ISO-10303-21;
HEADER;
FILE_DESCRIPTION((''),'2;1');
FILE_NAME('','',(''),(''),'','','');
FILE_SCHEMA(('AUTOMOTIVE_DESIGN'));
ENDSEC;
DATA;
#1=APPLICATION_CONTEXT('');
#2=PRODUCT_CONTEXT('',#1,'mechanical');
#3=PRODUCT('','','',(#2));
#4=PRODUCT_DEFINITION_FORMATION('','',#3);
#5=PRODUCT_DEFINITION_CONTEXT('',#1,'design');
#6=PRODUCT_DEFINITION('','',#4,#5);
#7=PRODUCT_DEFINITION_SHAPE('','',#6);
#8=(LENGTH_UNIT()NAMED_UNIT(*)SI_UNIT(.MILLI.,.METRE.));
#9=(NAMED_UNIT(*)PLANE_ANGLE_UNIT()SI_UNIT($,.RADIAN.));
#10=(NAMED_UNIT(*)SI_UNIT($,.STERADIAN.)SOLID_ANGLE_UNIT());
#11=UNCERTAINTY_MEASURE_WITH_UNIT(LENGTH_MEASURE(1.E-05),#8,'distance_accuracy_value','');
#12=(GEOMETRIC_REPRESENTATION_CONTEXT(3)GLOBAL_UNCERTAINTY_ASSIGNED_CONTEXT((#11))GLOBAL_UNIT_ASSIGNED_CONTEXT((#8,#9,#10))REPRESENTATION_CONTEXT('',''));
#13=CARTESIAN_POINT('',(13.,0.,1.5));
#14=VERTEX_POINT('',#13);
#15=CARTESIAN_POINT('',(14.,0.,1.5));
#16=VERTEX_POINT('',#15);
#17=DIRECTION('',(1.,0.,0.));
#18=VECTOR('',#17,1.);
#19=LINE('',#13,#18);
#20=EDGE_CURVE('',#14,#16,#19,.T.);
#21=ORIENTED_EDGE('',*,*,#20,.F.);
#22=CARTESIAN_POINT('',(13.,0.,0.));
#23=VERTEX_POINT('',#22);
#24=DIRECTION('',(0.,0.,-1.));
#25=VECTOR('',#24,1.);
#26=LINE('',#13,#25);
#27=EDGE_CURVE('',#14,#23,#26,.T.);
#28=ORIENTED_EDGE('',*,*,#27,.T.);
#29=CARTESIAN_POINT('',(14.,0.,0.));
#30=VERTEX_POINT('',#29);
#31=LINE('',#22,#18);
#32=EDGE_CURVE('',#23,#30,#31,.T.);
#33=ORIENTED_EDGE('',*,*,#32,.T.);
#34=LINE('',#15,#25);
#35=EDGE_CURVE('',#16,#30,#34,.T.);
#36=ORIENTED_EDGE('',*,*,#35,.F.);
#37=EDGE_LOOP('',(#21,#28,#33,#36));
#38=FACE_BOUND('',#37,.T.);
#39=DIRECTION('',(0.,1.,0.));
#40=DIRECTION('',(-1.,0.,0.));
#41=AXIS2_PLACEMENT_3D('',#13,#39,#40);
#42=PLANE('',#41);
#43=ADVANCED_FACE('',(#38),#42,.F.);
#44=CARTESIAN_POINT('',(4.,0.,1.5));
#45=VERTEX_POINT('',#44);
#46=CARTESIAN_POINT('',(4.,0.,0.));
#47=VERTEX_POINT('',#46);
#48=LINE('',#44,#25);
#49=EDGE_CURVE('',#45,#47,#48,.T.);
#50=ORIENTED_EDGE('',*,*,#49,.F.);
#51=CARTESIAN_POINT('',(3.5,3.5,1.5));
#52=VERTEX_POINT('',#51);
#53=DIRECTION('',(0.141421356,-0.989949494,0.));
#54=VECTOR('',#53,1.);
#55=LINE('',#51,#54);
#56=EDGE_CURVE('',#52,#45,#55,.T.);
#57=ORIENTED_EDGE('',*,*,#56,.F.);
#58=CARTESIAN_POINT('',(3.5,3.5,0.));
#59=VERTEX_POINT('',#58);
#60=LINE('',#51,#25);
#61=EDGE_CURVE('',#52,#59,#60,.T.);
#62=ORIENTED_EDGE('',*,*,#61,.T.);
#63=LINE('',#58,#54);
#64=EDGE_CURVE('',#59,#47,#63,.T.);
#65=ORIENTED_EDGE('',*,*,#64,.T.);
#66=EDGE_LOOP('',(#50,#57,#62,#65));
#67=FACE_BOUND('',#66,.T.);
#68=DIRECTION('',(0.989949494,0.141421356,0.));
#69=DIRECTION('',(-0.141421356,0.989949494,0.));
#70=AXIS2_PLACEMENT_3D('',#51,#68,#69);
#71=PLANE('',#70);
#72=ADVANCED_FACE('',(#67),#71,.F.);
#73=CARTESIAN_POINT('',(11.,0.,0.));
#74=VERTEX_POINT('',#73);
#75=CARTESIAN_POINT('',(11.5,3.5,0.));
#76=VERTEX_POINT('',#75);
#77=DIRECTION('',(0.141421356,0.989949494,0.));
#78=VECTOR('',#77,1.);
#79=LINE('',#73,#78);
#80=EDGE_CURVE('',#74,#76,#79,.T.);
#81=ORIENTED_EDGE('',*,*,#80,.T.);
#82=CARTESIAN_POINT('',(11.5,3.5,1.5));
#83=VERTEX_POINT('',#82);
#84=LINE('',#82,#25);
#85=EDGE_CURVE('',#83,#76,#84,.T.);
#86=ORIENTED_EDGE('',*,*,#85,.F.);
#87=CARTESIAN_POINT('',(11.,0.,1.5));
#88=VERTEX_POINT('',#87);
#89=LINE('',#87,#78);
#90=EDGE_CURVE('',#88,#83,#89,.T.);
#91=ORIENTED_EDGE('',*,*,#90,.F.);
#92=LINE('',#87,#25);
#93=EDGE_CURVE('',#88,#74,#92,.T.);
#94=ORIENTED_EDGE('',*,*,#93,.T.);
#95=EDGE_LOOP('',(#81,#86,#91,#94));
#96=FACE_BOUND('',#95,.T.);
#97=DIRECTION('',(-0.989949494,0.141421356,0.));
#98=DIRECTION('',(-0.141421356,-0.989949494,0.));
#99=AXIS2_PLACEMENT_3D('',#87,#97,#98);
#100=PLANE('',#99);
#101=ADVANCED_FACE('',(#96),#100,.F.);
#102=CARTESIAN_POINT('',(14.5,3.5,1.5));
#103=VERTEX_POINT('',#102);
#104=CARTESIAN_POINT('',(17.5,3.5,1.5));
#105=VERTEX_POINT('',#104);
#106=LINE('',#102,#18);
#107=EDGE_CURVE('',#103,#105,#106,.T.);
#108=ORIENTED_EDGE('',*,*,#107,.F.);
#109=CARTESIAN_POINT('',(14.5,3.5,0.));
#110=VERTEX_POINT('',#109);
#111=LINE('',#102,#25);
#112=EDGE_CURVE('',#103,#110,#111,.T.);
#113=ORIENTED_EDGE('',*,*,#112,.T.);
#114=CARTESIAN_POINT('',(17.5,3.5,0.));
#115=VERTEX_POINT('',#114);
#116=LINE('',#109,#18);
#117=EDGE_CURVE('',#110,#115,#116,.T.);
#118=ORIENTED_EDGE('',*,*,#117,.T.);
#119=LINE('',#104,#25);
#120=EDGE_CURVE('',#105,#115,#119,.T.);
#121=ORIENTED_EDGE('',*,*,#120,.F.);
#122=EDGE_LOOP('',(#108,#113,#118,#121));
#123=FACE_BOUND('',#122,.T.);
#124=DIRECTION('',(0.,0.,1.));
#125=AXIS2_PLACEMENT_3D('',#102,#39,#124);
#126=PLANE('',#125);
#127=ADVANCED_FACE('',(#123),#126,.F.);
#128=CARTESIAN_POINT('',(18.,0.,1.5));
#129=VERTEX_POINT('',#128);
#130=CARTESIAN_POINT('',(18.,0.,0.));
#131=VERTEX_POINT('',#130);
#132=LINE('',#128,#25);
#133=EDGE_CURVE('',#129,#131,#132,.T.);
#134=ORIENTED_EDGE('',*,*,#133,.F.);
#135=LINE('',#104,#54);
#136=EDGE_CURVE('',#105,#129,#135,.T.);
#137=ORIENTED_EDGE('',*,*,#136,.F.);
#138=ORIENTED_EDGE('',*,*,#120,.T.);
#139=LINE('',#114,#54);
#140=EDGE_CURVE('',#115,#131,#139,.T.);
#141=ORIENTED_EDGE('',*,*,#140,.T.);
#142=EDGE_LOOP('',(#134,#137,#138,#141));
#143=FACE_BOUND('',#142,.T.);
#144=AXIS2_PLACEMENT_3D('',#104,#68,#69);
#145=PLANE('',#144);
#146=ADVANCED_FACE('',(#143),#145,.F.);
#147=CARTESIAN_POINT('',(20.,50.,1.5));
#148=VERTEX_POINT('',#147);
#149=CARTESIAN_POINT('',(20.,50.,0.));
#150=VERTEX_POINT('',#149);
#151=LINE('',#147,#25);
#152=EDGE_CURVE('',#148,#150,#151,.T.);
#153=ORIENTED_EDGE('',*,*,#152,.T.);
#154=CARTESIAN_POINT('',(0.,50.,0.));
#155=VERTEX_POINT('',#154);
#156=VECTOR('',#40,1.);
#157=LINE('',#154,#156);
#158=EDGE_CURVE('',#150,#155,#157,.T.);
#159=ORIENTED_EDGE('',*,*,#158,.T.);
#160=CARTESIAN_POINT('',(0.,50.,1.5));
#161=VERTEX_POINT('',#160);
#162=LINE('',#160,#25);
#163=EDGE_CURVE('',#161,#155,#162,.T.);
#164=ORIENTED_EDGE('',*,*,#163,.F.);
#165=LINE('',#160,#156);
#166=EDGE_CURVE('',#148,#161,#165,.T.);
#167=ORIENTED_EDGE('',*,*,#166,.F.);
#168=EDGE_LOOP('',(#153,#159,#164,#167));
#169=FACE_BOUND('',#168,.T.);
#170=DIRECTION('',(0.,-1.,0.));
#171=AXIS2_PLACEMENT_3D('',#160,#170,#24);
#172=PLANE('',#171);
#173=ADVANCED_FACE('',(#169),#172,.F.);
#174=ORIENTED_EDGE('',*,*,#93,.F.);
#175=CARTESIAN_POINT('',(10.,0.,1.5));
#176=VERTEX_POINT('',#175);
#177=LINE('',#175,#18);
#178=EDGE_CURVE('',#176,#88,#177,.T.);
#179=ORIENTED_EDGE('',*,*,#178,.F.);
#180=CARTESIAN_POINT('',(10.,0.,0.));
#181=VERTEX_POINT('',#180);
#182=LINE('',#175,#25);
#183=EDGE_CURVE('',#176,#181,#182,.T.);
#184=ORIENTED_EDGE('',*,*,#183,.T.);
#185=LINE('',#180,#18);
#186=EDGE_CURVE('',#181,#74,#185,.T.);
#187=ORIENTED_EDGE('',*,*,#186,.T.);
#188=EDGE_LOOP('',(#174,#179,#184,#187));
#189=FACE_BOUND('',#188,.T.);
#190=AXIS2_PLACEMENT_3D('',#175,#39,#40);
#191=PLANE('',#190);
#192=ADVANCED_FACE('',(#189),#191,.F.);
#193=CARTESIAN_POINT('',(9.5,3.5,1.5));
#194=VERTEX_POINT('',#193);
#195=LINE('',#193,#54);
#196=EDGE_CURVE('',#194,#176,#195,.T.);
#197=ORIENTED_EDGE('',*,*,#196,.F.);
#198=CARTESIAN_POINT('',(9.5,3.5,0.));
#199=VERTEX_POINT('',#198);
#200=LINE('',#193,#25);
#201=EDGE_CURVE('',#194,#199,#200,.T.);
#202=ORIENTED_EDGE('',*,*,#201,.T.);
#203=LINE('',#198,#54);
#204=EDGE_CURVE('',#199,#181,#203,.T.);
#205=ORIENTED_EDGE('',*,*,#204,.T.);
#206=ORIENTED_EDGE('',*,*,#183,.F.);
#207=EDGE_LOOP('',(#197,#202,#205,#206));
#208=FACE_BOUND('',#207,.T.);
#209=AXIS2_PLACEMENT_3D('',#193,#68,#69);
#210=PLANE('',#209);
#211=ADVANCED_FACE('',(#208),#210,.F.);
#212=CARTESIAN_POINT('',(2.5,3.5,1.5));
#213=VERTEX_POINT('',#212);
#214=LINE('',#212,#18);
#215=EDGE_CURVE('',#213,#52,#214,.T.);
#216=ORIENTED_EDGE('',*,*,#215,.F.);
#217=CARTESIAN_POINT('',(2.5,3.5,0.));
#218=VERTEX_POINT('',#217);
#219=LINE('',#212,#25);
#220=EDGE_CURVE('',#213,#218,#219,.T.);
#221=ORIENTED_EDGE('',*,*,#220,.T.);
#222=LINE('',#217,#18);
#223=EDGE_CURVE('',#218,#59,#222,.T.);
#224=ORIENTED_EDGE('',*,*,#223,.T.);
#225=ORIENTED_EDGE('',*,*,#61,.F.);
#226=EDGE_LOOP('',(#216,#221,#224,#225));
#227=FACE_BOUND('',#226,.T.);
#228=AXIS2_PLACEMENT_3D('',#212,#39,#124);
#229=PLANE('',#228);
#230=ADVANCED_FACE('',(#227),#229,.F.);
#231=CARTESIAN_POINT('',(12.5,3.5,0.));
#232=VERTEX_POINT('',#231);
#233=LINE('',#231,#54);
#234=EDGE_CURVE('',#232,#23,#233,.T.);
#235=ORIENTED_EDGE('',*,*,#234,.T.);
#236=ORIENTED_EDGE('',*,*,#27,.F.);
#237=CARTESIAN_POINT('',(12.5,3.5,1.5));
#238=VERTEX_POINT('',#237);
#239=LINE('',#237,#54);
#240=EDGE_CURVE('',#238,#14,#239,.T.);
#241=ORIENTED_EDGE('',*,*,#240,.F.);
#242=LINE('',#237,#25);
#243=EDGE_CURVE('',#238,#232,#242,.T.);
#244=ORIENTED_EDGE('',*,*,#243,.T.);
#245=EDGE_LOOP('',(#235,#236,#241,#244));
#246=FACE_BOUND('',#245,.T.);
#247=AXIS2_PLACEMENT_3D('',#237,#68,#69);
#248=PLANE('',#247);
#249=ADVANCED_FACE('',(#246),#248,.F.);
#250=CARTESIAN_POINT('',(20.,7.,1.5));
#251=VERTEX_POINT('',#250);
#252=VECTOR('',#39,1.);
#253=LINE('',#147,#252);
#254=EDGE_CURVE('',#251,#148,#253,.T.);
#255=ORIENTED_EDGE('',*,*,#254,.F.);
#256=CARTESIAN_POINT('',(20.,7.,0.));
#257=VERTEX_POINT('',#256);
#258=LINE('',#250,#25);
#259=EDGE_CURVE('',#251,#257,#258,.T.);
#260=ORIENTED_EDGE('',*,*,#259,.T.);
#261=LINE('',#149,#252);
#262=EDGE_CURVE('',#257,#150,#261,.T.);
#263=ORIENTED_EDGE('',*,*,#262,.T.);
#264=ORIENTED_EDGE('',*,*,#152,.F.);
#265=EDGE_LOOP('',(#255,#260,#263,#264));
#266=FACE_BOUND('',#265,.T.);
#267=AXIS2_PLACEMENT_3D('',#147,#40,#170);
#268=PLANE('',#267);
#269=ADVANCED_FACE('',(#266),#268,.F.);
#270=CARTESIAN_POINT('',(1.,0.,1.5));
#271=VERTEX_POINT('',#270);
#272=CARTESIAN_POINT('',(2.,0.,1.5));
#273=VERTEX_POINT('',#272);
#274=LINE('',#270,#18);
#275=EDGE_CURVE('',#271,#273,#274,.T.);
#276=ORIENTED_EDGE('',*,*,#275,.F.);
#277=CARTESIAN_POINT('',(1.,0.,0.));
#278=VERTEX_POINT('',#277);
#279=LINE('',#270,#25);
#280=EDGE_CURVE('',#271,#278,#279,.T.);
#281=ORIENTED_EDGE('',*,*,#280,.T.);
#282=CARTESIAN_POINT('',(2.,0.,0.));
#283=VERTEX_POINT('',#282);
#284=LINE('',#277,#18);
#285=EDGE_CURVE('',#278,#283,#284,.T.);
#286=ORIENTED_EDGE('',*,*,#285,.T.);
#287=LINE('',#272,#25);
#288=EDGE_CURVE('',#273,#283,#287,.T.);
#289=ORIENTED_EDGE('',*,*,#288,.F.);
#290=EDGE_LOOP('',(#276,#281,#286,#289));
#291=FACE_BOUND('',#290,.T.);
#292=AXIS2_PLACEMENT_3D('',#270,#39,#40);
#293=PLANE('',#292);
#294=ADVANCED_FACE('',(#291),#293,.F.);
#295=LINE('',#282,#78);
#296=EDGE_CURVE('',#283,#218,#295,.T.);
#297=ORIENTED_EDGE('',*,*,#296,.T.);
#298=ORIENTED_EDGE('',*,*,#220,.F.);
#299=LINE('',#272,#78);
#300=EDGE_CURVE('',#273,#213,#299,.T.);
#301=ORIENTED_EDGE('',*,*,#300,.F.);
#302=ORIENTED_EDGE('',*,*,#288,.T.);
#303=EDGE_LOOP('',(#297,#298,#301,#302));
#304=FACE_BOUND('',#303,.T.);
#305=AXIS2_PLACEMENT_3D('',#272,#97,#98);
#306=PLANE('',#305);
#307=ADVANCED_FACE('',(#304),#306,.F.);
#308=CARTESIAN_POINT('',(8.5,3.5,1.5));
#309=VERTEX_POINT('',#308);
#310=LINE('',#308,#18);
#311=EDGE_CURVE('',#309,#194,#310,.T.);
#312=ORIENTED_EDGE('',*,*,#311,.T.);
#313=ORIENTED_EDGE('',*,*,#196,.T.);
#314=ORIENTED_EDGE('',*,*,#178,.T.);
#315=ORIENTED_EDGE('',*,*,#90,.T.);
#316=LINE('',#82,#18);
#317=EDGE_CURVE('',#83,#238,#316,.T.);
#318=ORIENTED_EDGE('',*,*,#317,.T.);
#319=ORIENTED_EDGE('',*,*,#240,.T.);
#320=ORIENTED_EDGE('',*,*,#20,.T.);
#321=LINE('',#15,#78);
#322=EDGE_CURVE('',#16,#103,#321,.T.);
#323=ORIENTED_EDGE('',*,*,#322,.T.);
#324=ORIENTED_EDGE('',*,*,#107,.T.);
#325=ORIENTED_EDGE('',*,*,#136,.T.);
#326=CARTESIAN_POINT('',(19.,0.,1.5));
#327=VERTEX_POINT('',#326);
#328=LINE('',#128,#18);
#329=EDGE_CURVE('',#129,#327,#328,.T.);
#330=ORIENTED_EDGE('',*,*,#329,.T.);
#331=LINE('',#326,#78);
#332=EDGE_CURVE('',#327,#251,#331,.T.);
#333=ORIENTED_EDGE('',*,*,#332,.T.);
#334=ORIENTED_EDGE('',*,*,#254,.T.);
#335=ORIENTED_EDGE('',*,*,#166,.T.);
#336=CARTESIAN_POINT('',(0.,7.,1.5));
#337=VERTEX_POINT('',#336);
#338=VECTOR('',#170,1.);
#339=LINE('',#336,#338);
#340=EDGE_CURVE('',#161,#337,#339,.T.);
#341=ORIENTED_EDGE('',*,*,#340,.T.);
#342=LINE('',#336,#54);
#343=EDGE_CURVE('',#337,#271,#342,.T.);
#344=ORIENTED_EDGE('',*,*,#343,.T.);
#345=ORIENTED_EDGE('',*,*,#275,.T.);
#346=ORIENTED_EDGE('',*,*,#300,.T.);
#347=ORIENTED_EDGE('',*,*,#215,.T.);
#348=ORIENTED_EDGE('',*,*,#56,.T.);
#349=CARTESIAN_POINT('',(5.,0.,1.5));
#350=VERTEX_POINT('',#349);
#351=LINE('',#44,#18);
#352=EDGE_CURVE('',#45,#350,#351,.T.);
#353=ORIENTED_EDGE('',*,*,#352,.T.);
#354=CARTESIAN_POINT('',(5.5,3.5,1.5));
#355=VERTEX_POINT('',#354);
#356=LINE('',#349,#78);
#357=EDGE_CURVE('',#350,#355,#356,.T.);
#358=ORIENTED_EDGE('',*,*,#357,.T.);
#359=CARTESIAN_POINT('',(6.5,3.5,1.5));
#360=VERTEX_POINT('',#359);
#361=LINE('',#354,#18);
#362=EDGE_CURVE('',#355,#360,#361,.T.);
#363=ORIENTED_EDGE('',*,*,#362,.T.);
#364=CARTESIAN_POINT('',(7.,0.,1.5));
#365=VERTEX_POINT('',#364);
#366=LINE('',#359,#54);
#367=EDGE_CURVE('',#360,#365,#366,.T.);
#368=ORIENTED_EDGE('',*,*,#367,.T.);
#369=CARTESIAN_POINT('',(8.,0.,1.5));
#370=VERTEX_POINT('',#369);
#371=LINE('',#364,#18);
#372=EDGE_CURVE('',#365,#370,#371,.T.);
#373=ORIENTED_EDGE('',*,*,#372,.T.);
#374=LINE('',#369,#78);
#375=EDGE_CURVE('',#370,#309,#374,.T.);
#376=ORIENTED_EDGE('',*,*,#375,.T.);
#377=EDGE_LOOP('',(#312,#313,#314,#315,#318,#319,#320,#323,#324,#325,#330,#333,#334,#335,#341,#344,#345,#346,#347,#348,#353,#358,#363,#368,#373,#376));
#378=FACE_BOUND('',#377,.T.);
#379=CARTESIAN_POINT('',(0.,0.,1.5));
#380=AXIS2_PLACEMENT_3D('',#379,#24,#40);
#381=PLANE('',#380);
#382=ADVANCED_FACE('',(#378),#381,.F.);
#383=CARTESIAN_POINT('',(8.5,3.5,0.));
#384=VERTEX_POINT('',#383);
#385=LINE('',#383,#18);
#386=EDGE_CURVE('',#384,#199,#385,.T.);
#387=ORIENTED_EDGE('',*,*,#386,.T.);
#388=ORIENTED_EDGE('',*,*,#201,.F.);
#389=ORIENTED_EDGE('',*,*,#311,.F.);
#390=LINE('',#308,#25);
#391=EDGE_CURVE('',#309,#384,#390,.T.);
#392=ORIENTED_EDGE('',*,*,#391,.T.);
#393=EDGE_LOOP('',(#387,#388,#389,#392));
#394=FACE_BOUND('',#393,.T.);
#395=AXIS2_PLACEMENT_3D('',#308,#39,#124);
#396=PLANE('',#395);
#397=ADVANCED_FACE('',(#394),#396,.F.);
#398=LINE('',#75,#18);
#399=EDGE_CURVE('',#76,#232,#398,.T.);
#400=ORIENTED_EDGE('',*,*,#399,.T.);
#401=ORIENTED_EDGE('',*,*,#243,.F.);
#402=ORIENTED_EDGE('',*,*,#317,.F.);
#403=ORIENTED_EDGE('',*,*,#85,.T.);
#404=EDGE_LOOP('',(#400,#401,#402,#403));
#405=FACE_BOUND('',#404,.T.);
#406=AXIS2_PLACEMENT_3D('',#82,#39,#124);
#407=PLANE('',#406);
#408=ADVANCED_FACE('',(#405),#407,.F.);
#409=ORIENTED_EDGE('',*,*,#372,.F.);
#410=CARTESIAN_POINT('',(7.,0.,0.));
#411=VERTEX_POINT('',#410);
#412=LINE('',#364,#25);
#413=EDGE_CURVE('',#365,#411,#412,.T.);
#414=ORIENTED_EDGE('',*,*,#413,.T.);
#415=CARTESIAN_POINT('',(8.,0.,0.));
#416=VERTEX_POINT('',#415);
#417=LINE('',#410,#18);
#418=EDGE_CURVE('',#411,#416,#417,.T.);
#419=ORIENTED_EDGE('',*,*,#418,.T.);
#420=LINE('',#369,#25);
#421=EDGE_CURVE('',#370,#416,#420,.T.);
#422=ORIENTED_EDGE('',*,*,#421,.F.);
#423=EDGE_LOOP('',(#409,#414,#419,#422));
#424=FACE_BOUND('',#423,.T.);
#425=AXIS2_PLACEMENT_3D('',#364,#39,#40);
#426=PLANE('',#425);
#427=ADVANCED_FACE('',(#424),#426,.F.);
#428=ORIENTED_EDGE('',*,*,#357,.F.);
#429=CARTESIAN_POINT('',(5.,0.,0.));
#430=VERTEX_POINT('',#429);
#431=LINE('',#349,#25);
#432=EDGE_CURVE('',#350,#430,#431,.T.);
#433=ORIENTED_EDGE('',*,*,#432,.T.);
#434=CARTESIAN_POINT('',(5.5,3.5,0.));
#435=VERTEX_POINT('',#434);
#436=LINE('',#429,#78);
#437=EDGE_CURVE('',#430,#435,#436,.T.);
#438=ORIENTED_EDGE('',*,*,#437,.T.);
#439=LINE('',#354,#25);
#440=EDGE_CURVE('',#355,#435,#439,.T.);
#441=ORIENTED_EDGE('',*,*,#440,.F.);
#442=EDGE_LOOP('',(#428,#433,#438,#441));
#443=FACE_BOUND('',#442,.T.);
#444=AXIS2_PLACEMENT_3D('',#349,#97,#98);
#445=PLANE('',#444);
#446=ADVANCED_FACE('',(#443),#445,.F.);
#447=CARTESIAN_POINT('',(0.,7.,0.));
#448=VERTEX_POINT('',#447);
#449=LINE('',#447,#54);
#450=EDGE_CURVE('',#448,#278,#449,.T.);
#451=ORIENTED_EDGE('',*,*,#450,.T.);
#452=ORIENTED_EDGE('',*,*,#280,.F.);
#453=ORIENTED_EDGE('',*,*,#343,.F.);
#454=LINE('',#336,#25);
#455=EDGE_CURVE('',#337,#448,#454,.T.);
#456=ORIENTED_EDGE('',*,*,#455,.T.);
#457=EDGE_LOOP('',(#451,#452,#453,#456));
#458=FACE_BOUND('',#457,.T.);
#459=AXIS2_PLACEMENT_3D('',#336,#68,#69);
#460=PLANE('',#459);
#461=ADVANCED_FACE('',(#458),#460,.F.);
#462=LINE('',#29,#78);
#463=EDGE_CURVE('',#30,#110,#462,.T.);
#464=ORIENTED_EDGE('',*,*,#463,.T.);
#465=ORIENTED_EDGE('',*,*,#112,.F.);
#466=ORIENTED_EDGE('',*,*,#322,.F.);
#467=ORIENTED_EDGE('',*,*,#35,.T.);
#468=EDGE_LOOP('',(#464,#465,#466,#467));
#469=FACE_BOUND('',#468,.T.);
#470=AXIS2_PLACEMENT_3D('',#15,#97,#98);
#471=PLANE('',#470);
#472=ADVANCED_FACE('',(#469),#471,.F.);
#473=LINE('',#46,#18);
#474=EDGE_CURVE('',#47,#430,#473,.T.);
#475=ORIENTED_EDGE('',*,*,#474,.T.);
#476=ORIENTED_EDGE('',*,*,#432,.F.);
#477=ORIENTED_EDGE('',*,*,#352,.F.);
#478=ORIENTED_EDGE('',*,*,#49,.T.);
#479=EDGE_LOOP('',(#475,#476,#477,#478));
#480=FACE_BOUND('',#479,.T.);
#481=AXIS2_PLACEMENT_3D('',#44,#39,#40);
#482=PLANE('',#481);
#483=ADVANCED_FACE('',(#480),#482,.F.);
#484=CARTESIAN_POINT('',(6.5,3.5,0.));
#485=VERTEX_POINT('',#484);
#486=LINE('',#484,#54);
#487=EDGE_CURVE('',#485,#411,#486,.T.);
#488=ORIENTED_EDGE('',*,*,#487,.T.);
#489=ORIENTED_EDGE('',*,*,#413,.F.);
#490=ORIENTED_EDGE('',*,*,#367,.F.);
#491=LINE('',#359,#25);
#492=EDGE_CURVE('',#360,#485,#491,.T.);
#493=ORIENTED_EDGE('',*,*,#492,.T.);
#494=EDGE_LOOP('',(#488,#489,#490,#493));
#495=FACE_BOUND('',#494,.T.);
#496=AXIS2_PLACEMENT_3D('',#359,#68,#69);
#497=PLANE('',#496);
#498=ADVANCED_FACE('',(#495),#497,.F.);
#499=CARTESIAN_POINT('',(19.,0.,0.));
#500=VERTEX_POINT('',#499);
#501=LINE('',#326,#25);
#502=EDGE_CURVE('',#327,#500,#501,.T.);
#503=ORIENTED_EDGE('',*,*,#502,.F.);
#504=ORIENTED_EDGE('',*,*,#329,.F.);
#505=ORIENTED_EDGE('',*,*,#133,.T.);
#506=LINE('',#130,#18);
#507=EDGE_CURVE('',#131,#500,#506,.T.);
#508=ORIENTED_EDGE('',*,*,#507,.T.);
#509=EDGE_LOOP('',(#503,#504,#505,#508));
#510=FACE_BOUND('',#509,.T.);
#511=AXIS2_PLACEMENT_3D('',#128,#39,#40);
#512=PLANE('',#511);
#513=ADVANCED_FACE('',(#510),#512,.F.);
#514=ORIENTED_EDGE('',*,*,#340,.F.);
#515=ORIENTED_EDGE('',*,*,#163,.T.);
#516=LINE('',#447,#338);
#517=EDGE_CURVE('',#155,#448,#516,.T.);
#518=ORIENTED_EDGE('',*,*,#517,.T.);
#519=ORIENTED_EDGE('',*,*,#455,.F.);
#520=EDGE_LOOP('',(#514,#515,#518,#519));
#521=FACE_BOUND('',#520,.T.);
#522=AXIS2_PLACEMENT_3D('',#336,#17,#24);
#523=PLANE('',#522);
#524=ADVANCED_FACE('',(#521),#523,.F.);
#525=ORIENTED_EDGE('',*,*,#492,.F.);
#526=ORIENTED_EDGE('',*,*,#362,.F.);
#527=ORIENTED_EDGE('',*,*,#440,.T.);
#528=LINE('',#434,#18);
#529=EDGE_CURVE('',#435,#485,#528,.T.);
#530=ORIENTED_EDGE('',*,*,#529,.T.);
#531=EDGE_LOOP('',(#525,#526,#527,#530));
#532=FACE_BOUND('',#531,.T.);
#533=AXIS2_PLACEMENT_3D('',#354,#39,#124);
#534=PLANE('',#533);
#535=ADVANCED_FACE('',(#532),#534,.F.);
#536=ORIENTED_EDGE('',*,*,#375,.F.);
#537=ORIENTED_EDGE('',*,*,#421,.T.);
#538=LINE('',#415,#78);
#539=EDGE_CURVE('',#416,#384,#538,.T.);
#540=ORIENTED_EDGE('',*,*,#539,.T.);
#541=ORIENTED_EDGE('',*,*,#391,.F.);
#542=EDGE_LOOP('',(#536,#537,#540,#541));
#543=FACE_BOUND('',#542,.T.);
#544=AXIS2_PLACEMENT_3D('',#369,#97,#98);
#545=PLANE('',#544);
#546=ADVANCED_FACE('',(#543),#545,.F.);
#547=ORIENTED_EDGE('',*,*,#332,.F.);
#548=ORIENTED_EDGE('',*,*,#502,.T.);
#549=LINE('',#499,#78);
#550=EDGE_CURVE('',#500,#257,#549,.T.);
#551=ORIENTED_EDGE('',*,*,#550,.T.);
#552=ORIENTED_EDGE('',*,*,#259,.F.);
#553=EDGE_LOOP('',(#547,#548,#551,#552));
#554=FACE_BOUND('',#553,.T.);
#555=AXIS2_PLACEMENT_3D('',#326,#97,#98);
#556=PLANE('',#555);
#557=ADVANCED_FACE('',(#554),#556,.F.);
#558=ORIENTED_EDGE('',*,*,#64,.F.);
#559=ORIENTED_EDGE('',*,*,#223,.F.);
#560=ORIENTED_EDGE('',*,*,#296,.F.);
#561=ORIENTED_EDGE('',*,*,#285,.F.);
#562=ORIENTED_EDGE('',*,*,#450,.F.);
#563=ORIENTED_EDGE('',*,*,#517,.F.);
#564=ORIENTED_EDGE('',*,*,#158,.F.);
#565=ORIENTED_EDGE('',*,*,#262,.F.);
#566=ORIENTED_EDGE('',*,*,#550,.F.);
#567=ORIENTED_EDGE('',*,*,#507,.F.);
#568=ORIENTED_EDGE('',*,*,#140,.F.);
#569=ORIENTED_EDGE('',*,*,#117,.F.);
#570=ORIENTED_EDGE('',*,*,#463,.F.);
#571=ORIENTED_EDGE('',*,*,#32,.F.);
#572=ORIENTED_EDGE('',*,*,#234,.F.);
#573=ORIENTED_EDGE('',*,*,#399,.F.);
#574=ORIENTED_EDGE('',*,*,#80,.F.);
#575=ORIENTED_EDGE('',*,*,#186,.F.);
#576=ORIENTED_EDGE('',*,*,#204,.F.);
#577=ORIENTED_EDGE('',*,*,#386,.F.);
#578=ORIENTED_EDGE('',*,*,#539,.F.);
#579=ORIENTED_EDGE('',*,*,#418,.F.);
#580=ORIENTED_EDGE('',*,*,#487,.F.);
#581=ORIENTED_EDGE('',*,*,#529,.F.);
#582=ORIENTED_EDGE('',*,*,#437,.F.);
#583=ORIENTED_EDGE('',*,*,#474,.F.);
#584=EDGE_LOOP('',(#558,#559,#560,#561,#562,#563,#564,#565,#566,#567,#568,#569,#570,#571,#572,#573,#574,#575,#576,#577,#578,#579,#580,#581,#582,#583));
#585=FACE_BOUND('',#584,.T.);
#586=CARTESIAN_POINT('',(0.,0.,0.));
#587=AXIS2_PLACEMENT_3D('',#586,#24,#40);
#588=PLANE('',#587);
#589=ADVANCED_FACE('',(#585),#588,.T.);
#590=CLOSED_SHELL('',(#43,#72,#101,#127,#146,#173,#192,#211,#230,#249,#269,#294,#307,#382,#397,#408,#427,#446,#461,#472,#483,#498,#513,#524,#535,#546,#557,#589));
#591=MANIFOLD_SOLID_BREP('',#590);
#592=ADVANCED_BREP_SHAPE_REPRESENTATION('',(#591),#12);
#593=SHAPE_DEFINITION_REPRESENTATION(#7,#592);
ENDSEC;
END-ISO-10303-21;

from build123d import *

# Parameters (mm, degrees)
BOSS_EXTRUDE1_DEPTH = 1.5


with BuildPart() as part:
    # Sketch1 → Boss-Extrude1 (new body)
    with BuildSketch(Plane.XY):
        Polygon((0, 7), (1, 0), (2, 0), (2.5, 3.5), (3.5, 3.5), (4, 0), (5, 0), (5.5, 3.5), (6.5, 3.5), (7, 0), (8, 0), (8.5, 3.5), (9.5, 3.5), (10, 0), (11, 0), (11.5, 3.5), (12.5, 3.5), (13, 0), (14, 0), (14.5, 3.5), (17.5, 3.5), (18, 0), (19, 0), (20, 7), (20, 50), (0, 50), align=None)
    extrude(amount=BOSS_EXTRUDE1_DEPTH)


solid = part.part
